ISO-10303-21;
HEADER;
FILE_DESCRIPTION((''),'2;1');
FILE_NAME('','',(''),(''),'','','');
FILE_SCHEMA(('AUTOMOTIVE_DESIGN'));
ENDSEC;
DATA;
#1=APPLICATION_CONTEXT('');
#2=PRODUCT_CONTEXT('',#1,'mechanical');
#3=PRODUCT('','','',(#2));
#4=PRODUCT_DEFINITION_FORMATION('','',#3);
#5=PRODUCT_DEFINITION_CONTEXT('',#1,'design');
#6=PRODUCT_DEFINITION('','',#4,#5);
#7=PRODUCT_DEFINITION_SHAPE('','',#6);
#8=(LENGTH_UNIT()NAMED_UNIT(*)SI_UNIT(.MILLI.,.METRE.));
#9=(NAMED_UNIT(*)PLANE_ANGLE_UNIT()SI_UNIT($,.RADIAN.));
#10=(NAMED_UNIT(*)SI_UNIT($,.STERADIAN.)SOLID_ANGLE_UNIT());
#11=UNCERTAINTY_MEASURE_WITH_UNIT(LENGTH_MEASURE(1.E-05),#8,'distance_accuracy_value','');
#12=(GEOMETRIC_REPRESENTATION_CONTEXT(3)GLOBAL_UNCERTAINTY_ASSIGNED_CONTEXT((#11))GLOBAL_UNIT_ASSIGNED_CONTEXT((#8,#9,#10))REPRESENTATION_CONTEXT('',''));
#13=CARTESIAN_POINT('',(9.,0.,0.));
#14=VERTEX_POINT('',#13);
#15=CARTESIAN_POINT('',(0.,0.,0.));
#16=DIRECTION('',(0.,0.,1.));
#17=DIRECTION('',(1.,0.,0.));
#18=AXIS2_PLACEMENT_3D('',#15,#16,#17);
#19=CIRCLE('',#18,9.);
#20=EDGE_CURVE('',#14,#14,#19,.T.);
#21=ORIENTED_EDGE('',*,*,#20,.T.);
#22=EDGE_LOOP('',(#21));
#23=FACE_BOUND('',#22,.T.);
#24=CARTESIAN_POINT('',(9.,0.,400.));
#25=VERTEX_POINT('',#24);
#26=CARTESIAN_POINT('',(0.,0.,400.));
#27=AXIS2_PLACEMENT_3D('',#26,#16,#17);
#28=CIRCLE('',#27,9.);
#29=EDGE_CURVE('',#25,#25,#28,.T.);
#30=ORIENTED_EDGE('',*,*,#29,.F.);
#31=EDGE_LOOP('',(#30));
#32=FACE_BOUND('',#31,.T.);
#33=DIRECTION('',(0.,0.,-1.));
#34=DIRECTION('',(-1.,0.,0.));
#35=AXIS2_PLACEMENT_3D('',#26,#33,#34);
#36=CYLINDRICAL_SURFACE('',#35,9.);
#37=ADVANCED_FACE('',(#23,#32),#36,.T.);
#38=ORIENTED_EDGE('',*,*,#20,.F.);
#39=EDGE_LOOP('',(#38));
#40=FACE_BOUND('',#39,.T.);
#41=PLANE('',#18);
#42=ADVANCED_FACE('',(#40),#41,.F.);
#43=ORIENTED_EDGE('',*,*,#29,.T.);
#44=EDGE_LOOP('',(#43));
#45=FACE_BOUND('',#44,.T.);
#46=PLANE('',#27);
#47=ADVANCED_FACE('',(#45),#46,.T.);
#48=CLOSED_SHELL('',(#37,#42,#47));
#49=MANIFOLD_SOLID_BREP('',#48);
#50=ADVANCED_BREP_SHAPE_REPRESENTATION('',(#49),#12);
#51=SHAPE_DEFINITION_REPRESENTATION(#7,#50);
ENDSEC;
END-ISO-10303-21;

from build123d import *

# Parameters (mm, degrees)
SCHIZZO1_R                   = 9
ESTRUSIONE_ESTRUSIONE1_DEPTH = 400


with BuildPart() as part:
    # Schizzo1 → Estrusione-Estrusione1 (new body)
    with BuildSketch(Plane.XY):
        Circle(SCHIZZO1_R)
    extrude(amount=ESTRUSIONE_ESTRUSIONE1_DEPTH)


solid = part.part
